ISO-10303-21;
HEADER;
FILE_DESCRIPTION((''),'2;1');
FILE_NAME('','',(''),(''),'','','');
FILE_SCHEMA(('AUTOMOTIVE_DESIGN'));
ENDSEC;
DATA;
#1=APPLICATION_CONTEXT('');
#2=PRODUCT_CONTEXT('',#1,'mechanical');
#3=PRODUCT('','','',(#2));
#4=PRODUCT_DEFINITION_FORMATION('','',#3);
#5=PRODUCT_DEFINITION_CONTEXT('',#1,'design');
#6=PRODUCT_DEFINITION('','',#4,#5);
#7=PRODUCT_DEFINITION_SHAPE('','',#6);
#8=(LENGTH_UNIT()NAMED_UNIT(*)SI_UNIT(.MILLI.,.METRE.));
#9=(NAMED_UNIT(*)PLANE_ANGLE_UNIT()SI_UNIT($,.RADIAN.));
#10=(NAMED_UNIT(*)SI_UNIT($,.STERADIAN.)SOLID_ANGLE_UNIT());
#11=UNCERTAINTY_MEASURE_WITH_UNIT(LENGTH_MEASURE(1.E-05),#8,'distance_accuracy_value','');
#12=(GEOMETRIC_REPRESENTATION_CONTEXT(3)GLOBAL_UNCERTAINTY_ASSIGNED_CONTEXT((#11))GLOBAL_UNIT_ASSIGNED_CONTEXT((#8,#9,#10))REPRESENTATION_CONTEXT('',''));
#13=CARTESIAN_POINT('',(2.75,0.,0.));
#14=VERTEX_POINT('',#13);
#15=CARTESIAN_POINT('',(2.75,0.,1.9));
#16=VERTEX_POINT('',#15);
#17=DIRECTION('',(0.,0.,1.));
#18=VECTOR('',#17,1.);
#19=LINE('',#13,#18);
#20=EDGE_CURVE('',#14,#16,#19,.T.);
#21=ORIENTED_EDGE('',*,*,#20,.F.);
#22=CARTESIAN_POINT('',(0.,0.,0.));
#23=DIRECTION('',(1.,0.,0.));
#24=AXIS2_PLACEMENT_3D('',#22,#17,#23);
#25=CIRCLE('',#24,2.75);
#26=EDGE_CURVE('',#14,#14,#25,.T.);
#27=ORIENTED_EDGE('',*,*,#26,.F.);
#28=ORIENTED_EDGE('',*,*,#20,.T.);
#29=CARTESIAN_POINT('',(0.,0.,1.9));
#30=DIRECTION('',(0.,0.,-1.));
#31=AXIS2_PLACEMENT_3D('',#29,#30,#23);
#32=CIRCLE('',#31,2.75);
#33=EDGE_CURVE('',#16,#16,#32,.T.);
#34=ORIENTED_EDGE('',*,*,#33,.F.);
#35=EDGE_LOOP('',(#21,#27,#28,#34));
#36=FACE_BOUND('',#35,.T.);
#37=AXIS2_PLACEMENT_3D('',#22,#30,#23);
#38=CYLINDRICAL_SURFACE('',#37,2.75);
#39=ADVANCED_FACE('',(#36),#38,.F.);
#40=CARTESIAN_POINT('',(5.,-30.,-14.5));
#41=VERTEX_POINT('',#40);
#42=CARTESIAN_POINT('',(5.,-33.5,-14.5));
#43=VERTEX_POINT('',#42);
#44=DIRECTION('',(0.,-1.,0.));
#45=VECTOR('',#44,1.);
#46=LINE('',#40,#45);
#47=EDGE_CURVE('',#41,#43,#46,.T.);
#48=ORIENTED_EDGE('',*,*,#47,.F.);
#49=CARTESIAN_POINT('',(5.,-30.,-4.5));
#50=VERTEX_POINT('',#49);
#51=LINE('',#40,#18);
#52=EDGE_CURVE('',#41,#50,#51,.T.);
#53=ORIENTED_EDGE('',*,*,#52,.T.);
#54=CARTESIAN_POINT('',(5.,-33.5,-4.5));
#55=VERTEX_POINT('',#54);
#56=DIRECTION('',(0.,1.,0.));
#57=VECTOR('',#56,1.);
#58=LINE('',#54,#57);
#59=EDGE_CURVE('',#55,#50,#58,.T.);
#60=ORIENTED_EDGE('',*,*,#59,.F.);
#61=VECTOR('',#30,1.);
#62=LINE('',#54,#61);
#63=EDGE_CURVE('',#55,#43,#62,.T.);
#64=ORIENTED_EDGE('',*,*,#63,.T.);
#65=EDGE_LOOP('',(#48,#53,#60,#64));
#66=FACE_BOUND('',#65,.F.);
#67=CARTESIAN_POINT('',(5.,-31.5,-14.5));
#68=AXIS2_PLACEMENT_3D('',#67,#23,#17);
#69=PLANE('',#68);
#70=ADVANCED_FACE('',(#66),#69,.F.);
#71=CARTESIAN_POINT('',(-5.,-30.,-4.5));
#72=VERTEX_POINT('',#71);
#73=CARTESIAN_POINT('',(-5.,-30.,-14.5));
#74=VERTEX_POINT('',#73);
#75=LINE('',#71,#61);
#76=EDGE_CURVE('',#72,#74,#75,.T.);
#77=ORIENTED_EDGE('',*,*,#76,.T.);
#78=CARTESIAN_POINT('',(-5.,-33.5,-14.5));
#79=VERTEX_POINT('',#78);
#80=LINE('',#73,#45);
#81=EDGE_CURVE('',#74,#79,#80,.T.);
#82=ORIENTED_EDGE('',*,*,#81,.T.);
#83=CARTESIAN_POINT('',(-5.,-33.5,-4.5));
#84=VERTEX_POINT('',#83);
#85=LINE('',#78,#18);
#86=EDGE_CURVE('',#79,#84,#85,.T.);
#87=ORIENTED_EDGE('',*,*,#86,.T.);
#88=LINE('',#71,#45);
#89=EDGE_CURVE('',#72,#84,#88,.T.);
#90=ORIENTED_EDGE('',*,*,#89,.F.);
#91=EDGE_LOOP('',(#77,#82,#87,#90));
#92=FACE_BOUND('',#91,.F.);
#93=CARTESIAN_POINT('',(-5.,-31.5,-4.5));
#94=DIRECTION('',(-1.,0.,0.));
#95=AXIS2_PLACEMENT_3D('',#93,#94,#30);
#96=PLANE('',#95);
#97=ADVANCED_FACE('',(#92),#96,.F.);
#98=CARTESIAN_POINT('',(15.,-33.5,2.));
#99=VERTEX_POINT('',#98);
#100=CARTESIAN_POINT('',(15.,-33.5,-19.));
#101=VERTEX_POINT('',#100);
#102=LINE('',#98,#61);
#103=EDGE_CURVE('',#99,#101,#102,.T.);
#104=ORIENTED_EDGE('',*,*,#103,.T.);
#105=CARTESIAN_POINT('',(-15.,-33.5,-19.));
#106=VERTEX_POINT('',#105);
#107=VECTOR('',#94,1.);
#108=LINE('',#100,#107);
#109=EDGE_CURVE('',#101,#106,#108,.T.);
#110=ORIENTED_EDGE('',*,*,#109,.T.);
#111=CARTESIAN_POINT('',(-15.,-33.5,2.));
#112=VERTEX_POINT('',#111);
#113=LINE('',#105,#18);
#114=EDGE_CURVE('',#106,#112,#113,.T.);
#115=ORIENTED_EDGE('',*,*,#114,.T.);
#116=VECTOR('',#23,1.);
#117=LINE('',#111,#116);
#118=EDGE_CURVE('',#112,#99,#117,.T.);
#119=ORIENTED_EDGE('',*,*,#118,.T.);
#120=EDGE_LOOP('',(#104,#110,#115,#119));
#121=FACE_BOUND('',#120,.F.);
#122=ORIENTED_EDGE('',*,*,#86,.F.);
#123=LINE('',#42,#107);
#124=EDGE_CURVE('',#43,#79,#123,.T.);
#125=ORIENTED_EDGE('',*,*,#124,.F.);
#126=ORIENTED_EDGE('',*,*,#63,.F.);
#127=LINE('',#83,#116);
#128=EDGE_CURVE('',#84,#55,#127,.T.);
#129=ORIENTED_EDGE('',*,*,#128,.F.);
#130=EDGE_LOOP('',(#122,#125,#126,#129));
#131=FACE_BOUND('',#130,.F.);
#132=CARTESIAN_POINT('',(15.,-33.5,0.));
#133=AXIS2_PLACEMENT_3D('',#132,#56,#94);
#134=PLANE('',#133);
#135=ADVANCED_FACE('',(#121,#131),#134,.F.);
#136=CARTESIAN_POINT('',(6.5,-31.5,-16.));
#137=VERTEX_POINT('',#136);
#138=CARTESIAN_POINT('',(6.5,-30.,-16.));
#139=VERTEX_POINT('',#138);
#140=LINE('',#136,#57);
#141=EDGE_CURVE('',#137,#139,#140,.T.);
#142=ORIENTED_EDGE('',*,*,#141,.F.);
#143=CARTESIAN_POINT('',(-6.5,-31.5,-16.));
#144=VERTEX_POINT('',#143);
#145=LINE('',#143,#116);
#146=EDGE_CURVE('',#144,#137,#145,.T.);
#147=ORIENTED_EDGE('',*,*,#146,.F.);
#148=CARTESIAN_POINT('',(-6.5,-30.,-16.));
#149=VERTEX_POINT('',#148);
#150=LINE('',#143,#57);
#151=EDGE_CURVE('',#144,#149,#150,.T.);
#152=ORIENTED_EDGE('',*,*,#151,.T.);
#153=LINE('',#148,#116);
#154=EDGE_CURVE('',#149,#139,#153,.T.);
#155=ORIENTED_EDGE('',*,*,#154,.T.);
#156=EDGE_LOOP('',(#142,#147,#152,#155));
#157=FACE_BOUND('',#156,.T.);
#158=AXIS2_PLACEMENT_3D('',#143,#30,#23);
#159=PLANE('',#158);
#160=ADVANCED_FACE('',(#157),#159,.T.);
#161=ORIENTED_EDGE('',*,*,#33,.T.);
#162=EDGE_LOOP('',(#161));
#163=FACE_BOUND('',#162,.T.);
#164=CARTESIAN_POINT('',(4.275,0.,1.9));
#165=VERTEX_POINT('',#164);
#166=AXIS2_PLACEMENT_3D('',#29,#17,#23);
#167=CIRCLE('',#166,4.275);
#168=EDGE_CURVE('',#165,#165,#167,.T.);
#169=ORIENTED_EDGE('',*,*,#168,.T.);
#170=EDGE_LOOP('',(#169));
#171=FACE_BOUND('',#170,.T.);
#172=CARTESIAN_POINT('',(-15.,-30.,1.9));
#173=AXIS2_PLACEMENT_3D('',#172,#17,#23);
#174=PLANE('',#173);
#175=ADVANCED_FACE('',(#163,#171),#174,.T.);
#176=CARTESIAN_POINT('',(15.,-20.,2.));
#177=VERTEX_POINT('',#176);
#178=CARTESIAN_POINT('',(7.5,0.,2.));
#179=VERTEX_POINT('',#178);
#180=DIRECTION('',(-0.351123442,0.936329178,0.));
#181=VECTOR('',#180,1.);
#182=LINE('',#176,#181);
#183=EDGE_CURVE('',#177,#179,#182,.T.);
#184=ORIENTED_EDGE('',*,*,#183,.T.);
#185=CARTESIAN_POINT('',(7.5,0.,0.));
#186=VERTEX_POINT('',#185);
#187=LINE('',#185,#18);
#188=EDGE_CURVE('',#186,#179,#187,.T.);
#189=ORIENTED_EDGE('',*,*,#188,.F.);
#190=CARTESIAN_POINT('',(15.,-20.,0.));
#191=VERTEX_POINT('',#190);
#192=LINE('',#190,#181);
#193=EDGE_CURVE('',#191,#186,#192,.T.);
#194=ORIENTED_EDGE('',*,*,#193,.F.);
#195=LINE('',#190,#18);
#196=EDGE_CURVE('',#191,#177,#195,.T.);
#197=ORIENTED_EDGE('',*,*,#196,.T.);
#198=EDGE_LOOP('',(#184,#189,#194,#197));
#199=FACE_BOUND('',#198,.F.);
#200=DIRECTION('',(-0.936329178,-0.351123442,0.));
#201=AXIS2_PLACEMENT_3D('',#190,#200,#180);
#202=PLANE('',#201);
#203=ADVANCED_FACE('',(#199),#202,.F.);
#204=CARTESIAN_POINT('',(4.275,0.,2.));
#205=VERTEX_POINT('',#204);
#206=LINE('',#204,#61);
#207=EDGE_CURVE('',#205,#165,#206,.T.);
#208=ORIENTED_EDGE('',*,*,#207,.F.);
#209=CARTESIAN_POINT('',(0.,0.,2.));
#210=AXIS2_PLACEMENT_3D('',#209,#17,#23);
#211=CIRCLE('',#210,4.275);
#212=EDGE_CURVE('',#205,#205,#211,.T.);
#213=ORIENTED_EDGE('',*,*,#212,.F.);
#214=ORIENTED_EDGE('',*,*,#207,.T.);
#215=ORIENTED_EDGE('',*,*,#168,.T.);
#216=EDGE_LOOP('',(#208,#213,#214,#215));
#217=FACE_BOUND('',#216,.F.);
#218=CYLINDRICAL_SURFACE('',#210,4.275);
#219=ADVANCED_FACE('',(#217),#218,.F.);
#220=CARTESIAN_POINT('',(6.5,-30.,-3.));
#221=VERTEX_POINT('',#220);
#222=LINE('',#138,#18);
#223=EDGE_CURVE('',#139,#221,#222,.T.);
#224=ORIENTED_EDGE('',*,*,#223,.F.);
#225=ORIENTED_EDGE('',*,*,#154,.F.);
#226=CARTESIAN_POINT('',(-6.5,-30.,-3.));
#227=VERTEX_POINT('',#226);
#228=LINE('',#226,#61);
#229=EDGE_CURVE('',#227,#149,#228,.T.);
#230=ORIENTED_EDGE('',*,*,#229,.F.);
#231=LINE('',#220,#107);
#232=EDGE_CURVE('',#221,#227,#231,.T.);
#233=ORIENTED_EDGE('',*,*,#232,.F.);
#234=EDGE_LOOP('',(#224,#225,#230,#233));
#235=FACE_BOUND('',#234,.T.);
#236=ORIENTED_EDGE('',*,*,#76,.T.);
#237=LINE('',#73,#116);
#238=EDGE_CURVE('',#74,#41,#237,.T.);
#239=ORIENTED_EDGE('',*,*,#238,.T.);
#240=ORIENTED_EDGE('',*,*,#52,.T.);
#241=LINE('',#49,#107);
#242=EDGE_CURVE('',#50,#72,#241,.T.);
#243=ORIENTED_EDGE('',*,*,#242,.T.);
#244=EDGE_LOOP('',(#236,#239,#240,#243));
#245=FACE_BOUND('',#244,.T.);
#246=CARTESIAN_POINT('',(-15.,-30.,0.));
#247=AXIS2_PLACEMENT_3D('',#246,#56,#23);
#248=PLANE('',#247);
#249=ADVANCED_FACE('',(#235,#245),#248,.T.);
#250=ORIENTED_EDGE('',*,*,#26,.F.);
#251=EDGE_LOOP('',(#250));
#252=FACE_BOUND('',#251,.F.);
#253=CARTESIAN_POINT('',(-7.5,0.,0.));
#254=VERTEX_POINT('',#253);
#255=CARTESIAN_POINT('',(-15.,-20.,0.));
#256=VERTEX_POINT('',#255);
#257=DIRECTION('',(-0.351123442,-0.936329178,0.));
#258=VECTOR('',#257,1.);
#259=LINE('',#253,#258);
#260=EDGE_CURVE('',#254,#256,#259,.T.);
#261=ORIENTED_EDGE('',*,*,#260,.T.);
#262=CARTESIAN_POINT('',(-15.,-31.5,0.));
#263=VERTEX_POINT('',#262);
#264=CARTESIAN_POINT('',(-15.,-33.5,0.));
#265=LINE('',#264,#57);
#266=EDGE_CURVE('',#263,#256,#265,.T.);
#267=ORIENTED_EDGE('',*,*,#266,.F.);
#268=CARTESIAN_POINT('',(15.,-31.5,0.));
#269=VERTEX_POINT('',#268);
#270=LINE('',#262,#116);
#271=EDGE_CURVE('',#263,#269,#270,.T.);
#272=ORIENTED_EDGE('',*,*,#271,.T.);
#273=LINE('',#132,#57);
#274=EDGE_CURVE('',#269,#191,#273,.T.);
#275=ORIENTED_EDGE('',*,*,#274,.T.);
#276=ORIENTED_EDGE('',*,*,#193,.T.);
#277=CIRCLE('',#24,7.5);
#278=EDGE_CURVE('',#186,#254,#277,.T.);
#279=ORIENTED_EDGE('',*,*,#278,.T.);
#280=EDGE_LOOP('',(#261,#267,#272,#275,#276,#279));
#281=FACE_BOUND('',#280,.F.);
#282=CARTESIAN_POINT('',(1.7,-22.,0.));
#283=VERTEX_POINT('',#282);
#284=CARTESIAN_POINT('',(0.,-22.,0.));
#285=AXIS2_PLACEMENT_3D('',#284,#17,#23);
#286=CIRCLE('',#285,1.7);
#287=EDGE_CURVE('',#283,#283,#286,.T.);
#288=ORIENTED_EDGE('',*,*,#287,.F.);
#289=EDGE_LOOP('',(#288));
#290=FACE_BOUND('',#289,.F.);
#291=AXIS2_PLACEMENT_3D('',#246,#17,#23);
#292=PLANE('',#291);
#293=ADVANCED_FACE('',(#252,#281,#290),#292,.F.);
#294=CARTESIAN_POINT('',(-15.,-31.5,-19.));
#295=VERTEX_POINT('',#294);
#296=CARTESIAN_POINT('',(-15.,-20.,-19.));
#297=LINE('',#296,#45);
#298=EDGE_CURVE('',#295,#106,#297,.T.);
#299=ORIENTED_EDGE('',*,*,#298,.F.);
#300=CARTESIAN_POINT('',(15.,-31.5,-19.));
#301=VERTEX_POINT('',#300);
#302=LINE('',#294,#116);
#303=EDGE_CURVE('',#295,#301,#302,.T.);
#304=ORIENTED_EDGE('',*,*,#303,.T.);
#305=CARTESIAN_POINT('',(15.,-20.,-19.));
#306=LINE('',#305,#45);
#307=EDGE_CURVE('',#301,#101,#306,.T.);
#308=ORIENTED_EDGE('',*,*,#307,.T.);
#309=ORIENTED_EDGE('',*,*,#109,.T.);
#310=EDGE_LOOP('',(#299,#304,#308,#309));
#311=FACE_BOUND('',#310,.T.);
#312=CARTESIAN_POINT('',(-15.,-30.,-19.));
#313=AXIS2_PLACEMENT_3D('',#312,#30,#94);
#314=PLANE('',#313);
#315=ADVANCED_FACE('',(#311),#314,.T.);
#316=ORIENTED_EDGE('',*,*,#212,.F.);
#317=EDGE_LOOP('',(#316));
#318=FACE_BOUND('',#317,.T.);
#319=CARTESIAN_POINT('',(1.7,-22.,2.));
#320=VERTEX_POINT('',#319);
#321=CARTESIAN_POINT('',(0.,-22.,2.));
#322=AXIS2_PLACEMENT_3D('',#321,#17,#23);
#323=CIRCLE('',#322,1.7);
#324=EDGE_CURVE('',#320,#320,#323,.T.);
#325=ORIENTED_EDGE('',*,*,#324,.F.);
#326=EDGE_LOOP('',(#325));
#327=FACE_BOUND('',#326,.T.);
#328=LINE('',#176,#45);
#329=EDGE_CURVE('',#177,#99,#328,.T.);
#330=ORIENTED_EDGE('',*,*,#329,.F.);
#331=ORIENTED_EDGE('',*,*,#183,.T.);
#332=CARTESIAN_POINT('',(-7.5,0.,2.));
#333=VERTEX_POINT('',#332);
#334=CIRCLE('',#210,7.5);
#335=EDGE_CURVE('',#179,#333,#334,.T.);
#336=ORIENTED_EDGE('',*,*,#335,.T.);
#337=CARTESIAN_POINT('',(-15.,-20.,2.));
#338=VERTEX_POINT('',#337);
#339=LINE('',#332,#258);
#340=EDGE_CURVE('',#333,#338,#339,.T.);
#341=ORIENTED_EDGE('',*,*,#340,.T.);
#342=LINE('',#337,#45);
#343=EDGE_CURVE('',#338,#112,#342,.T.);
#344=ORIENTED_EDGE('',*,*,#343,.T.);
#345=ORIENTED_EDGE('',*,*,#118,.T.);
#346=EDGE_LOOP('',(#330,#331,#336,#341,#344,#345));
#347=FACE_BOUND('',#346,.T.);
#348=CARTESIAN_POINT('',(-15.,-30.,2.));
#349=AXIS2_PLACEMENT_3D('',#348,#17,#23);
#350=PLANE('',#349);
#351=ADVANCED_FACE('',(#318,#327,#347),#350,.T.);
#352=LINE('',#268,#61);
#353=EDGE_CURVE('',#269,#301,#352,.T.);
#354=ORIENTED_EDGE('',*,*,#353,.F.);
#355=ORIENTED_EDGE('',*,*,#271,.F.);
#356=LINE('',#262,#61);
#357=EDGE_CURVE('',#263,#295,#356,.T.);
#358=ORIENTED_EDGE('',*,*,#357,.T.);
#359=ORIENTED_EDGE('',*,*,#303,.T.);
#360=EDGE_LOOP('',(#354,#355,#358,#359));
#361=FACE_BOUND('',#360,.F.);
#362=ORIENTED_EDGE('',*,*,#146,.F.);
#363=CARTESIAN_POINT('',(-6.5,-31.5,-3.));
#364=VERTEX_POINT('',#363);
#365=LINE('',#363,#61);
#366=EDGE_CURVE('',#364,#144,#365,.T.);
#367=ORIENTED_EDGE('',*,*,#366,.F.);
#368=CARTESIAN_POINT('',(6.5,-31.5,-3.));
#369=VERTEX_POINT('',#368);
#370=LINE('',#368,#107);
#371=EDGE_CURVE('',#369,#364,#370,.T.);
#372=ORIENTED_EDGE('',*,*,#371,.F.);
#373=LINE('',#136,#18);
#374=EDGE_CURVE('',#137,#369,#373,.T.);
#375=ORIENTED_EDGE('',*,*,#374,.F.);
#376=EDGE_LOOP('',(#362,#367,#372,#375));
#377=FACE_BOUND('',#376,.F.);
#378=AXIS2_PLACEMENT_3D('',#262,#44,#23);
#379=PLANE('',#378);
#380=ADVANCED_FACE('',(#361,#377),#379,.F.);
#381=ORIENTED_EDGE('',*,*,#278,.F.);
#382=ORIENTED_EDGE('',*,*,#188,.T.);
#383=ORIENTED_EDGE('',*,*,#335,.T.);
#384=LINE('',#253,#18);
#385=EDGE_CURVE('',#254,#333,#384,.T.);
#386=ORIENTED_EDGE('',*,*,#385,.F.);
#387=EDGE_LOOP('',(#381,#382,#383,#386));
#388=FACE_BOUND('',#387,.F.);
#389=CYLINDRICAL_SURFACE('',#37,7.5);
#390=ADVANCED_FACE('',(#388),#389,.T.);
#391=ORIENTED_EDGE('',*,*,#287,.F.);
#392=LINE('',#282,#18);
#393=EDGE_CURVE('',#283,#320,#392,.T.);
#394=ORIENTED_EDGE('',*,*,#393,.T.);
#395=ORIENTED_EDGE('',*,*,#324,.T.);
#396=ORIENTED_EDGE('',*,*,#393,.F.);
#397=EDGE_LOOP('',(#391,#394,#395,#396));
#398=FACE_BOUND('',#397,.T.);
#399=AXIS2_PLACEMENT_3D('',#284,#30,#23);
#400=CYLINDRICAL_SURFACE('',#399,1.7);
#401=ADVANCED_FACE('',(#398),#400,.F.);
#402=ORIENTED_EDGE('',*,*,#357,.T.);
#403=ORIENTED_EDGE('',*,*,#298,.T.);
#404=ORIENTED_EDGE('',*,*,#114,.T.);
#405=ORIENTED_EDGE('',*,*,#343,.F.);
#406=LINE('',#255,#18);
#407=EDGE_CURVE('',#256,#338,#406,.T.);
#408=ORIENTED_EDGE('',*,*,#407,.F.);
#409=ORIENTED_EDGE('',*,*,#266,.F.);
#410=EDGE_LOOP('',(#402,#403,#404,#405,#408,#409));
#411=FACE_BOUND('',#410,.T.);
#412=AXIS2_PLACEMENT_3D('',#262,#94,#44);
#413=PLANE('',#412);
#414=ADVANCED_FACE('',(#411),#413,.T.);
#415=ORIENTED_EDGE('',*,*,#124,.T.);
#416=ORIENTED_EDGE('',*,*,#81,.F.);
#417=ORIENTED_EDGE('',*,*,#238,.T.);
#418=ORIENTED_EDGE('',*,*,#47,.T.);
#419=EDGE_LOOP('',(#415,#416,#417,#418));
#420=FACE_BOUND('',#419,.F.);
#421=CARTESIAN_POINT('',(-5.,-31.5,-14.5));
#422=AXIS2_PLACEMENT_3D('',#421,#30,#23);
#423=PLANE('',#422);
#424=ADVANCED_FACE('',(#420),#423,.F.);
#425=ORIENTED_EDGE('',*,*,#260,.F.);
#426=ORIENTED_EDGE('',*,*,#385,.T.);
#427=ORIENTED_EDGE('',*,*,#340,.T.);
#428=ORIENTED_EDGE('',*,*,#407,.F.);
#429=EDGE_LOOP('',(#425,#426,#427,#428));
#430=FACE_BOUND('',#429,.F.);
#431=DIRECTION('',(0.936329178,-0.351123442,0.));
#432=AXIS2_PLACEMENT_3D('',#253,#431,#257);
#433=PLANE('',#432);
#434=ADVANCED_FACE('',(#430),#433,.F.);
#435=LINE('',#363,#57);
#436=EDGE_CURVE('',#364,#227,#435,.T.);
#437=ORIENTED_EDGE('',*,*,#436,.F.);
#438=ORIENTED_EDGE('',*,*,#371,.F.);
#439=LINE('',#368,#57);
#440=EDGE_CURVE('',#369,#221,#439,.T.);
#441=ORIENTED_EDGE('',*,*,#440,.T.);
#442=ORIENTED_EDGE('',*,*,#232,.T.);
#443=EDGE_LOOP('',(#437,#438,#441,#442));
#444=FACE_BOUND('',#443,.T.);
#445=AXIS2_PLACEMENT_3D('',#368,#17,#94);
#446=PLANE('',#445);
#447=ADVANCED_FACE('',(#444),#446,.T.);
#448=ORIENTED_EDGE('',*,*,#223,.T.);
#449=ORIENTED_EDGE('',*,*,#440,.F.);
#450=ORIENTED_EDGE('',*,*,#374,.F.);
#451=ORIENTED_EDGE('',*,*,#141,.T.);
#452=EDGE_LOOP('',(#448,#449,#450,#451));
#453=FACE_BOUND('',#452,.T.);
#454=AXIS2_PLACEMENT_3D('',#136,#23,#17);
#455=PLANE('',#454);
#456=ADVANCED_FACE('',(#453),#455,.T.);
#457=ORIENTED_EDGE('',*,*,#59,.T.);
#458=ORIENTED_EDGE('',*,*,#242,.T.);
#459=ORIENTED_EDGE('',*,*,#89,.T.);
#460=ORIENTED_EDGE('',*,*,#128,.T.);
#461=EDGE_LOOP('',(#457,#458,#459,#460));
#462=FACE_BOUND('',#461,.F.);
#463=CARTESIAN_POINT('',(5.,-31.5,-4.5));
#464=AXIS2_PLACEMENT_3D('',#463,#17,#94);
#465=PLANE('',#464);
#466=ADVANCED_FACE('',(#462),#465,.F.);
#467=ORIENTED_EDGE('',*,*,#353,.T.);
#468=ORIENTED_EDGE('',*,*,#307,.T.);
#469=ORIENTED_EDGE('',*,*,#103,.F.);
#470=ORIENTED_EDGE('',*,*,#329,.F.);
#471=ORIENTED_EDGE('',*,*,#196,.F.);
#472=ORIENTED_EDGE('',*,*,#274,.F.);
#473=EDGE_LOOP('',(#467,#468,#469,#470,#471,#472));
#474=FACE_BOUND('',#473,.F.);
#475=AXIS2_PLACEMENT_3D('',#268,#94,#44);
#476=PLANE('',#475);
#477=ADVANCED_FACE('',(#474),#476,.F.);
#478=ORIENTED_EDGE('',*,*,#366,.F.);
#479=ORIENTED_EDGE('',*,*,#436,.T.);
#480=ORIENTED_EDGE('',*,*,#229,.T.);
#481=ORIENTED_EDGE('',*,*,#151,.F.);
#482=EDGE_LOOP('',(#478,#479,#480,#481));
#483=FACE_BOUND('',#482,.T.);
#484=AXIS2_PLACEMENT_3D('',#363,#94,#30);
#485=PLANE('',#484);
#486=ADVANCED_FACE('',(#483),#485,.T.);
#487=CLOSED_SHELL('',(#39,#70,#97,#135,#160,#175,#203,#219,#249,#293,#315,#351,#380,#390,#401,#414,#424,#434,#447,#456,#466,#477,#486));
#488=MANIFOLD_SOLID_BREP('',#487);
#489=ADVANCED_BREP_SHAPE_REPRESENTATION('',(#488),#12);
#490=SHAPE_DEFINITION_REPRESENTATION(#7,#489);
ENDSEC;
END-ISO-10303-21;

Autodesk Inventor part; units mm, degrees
ref_plane "YZ Plane" through (0, 0, 0) normal (1, 0, 0) x (0, 1, 0)
ref_plane "XZ Plane" through (0, 0, 0) normal (0, 1, 0) x (-1, 0, 0)
ref_plane "XY Plane" through (0, 0, 0) normal (0, 0, 1) x (1, 0, 0)
sketch "Sketch2" plane through (-15, -30, 0) normal (0, 0, 1) x (1, 0, 0)
  arc A0 (22.5, 30) -> (7.5, 30) centre (15, 30) ccw
  line L0 (7.5, 30) -> (0, 10)
  line L1 (30, 10) -> (22.5, 30)
  line L2 (30, 0) -> (30, 10)
  line L3 (0, 10) -> (0, 0)
  line L4 (0, 0) -> (30, 0)
  circle A1 centre (15, 30) radius 2.75
  circle A2 centre (15, 8) radius 1.7
  line L5 (15, 30) -> (15, 8) construction
  line L6 (7.5, 30) -> (15, 30) construction
  dimension "d15" = 30
  dimension "d16" = 10
  dimension "d17" = 15
  dimension "d18" = 5.5
  dimension "d19" = 30
  dimension "d20" = 8
  dimension "d21" = 15
  dimension "d22" = 3.4
extrude "Extrusion1" add sketch "Sketch2" along normal blind 2
sketch "Sketch3" plane through (-15, -30, 0) normal (0, -1, 0) x (1, 0, 0)
  line L0 (0, 0) -> (30, 0) projected
  line L1 (30, 0) -> (30, 2) projected
  line L2 (0, 2) -> (30, 2) projected
  line L3 (0, 0) -> (0, 2) projected
  point P0 (15, 0)
extrude "Extrusion2" add sketch "Sketch3" along normal blind 3.5
sketch "Sketch4" plane through (-15, -30, 0) normal (0, 0, -1) x (-1, 0, 0)
  line L0 (-30, 10) -> (-30, -3.5) projected
  line L1 (0, 10) -> (0, -3.5) projected
  line L2 (-30, -3.5) -> (0, -3.5)
  line L3 (0, -3.5) -> (0, -1.5)
  line L4 (0, -1.5) -> (-30, -1.5)
  line L5 (-30, -1.5) -> (-30, -3.5)
  point P0 (-15, 30)
  dimension "d27" = 2
extrude "Extrusion3" add sketch "Sketch4" along normal blind 19
sketch "Sketch5" plane through (-15, -33.5, 0) normal (0, -1, 0) x (1, 0, 0)
  line L0 (10, -4.5) -> (20, -4.5)
  line L1 (20, -4.5) -> (20, -14.5)
  line L2 (20, -14.5) -> (10, -14.5)
  line L3 (10, -14.5) -> (10, -4.5)
  line L4 (10, -4.5) -> (20, -14.5) construction
  line L5 (20, -4.5) -> (10, -14.5) construction
  line L6 (15, 0) -> (15, -9.5) construction
  line L7 (30, 0) -> (0, 0) projected
  line L8 (30, -19) -> (0, -19) projected
  dimension "d31" = 10
  dimension "d32" = 9.5
  dimension "d33" = 10
extrude "Extrusion4" cut sketch "Sketch5" against normal up to next
sketch "Sketch6" plane through (-15, -31.5, 0) normal (0, 1, 0) x (1, 0, 0)
  line L0 (20, 4.5) -> (10, 4.5) projected
  line L1 (20, 14.5) -> (20, 4.5) projected
  line L2 (10, 4.5) -> (10, 14.5) projected
  line L3 (10, 14.5) -> (20, 14.5) projected
  line L4 (21.5, 3) -> (8.5, 3)
  line L5 (8.5, 3) -> (8.5, 16)
  line L6 (8.5, 16) -> (21.5, 16)
  line L7 (21.5, 16) -> (21.5, 3)
  point P0 (15, 0)
  dimension "d36" = 1.5
extrude "Extrusion5" add sketch "Sketch6" along normal blind 1.5
sketch "Sketch7" plane through (-15, -30, 2) normal (0, 0, 1) x (1, 0, 0)
  circle A0 centre (15, 30) radius 4.275
  dimension "d39" = 8.55
extrude "Extrusion6" cut sketch "Sketch7" against normal blind 0.1
properties part number "LampeSolaire2_LedAmoviblePart_Cover 3D printer"
